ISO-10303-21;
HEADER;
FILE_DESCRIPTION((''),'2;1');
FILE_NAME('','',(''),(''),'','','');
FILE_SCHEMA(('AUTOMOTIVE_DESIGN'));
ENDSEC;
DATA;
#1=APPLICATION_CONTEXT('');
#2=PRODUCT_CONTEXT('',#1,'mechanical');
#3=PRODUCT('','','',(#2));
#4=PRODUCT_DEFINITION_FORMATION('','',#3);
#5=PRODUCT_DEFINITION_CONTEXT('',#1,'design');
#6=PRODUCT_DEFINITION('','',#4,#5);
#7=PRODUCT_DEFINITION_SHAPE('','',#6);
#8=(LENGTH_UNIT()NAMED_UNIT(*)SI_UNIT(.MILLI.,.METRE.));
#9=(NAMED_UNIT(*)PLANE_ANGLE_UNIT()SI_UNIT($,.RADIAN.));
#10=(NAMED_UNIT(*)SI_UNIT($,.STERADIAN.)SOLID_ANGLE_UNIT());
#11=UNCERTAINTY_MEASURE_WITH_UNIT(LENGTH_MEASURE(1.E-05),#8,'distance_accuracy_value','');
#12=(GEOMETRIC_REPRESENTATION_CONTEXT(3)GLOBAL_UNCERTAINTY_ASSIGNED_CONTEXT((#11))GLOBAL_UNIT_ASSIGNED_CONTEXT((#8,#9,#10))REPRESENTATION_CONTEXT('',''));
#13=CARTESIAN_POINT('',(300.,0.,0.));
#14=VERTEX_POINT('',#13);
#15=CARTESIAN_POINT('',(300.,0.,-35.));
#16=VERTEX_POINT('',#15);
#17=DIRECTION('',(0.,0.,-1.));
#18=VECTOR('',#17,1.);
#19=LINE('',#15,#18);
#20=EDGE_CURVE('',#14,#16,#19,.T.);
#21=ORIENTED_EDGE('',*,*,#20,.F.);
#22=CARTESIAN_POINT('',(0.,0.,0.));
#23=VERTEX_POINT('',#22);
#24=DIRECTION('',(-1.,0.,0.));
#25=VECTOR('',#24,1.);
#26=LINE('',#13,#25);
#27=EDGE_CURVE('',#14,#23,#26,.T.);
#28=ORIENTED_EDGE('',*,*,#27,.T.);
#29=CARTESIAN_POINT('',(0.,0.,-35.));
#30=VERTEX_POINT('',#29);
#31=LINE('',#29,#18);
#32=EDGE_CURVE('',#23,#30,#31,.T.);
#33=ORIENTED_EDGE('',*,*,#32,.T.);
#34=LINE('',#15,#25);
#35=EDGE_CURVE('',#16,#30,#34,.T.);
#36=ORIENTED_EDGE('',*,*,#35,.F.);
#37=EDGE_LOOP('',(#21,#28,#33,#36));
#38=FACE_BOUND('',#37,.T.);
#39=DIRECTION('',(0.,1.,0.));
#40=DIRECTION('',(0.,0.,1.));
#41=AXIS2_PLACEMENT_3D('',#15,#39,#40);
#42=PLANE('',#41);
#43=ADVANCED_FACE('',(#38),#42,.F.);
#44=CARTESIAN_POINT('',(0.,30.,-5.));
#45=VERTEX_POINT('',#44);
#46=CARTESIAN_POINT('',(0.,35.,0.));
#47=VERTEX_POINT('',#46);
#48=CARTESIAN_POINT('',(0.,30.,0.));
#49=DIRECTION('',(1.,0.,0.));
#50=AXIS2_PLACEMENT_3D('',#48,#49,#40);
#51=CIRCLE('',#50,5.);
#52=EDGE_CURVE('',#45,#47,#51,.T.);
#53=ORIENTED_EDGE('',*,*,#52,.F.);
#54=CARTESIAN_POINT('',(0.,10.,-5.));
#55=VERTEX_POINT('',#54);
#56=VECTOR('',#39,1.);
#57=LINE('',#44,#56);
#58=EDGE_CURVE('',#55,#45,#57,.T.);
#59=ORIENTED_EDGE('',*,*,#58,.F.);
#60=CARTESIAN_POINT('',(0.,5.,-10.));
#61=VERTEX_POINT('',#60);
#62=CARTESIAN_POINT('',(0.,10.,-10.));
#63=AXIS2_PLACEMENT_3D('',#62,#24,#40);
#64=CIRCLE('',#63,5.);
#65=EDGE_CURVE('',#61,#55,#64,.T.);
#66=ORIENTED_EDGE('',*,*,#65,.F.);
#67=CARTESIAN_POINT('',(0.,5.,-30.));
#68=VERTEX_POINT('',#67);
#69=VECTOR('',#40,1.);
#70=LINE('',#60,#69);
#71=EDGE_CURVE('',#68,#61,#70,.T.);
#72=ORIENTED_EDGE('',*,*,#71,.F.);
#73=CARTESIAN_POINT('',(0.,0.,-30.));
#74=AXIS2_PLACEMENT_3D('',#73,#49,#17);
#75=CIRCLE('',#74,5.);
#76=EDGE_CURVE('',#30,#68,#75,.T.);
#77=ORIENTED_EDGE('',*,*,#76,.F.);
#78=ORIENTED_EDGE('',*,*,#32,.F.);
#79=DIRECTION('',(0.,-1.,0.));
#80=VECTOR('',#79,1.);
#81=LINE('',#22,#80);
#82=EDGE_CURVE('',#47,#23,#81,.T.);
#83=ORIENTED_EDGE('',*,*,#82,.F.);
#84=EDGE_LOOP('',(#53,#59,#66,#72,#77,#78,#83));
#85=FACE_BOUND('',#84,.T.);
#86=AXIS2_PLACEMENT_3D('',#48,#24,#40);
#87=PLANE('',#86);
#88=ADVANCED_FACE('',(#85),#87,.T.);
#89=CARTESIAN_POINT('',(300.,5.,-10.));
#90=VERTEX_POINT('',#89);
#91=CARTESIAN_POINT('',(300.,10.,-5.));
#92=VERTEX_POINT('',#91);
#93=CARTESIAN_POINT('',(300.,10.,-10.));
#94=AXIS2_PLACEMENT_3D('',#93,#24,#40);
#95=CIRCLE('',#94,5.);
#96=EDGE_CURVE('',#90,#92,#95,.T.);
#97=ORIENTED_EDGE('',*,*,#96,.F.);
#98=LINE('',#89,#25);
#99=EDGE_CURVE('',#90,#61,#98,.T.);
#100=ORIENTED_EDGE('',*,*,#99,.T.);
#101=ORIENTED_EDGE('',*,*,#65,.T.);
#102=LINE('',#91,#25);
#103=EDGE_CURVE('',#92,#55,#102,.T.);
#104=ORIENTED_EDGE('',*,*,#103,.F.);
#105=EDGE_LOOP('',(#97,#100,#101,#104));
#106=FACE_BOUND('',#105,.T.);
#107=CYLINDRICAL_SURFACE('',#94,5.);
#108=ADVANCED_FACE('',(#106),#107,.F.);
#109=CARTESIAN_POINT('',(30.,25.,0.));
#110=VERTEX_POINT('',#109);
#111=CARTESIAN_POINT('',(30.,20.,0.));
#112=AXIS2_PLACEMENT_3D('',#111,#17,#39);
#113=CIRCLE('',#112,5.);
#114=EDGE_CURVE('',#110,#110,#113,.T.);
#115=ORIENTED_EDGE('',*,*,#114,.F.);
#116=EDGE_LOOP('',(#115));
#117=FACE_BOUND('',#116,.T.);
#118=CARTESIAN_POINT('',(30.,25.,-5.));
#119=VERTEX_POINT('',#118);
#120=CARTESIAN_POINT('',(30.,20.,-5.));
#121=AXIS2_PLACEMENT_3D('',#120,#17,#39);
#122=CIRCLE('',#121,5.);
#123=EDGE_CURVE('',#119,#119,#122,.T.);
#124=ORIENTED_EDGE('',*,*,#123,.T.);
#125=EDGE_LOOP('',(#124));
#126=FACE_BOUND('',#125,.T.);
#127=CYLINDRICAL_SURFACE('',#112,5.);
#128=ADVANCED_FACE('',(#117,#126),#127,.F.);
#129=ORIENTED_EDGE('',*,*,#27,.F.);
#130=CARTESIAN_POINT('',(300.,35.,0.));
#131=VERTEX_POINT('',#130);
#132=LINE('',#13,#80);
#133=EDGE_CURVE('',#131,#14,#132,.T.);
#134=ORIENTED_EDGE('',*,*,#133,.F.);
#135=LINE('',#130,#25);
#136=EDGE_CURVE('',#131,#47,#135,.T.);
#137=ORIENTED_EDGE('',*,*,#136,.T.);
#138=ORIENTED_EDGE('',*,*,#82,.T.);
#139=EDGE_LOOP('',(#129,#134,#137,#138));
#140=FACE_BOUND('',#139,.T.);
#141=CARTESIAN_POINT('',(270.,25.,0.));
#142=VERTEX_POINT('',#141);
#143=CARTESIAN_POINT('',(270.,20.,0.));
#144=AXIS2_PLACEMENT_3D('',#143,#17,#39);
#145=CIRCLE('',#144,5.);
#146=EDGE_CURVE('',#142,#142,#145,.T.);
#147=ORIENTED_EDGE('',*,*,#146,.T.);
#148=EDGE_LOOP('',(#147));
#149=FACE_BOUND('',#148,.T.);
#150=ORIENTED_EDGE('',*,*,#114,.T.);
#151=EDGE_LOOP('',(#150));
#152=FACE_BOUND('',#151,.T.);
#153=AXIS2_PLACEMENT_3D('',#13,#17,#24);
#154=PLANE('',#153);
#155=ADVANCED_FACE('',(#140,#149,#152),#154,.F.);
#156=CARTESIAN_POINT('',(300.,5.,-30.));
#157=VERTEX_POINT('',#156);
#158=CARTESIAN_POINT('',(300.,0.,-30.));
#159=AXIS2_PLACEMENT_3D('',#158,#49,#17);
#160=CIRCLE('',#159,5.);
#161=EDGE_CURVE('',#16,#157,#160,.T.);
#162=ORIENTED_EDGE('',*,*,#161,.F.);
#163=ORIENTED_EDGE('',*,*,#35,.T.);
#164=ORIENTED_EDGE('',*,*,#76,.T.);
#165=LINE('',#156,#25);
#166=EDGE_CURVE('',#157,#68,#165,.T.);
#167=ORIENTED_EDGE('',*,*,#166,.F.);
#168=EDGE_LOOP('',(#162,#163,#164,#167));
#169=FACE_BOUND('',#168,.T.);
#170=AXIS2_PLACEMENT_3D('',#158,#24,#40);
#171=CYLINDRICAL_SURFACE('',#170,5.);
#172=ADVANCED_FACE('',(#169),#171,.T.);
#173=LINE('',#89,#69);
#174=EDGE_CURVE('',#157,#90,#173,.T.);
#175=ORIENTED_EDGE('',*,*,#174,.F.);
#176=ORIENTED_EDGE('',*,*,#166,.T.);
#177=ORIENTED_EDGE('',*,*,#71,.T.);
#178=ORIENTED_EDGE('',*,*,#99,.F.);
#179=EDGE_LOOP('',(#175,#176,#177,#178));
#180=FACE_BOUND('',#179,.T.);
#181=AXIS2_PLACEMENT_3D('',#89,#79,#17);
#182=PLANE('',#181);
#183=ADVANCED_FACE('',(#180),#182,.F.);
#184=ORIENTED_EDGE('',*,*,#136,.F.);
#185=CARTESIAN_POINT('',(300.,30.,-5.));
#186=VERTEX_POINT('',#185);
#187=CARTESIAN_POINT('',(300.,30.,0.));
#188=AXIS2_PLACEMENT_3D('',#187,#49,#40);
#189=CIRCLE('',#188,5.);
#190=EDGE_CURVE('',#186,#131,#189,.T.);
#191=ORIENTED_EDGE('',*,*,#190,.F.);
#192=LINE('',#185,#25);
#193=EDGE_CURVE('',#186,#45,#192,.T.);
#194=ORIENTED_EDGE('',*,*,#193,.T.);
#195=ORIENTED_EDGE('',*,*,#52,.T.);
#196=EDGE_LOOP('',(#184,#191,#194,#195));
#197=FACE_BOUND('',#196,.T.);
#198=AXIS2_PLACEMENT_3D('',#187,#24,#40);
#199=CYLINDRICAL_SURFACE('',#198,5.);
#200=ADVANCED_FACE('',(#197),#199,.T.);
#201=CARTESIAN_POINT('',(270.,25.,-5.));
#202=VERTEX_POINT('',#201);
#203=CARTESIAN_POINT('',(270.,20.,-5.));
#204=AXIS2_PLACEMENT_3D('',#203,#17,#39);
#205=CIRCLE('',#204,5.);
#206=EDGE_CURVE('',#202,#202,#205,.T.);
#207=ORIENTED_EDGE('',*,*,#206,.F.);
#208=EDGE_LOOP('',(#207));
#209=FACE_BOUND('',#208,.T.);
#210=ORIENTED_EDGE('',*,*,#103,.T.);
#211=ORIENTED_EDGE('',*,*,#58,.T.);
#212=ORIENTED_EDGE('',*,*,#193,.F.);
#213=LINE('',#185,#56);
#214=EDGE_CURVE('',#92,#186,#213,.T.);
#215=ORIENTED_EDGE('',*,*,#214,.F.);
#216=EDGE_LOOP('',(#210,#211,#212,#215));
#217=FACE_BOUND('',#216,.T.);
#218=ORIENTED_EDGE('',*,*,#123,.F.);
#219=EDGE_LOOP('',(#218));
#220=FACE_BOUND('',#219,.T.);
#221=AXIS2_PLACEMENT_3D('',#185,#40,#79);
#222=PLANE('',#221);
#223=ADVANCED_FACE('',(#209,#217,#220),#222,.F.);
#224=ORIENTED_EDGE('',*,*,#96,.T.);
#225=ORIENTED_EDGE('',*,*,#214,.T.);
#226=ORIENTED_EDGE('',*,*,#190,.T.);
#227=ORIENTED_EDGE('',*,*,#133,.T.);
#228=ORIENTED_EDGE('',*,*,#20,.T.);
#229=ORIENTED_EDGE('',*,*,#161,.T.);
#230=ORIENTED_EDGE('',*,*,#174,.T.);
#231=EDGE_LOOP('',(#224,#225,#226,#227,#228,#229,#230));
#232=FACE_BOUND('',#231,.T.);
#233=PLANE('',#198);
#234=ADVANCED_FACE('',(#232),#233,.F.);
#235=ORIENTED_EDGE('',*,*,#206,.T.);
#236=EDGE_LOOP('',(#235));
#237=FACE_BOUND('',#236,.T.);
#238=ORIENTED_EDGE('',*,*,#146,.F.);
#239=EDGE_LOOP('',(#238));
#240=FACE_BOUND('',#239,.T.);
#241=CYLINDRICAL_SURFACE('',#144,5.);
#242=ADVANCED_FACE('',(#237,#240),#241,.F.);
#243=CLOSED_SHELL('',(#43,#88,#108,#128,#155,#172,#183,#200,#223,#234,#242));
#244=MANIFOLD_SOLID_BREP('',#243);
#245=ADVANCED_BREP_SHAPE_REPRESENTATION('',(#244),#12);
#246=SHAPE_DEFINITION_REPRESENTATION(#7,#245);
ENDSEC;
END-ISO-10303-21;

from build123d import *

# Parameters (mm, degrees)
K_TOWNIK_STALOWY_35_X_35_X_5_1_DEPTH = 300
SZKIC2_R                             = 5
WYTNIJ_WYCI_GNI_CIE1_DEPTH           = 304.521004216


with BuildPart() as part:
    # Sketch1 → Kątownik stalowy 35 X 35 X 5(1) (new body)
    with BuildSketch(Plane(origin=(0, 0, 0), x_dir=(0, 0, -1), z_dir=(1, 0, 0))):
        with BuildLine():
            Line((0, 0), (0, 35))
            ThreePointArc((0, 35), (3.535533906, 33.535533906), (5, 30))
            Line((5, 30), (5, 10))
            ThreePointArc((5, 10), (6.464466094, 6.464466094), (10, 5))
            Line((10, 5), (30, 5))
            ThreePointArc((30, 5), (33.535533906, 3.535533906), (35, 0))
            Line((35, 0), (0, 0))
        make_face()
    extrude(amount=K_TOWNIK_STALOWY_35_X_35_X_5_1_DEPTH)

    # Szkic2 → Wytnij-wyciągnięcie1 (cut, through all)
    with BuildSketch(Plane(origin=(0, 0, -5), x_dir=(-1, 0, 0), z_dir=(0, 0, -1))):
        with Locations(Location((-270, 20, 0), (0, 0, 90))):
            Circle(SZKIC2_R)
        with Locations(Location((-30, 20, 0), (0, 0, 90))):
            Circle(SZKIC2_R)
    extrude(amount=-WYTNIJ_WYCI_GNI_CIE1_DEPTH, mode=Mode.SUBTRACT)


solid = part.part
